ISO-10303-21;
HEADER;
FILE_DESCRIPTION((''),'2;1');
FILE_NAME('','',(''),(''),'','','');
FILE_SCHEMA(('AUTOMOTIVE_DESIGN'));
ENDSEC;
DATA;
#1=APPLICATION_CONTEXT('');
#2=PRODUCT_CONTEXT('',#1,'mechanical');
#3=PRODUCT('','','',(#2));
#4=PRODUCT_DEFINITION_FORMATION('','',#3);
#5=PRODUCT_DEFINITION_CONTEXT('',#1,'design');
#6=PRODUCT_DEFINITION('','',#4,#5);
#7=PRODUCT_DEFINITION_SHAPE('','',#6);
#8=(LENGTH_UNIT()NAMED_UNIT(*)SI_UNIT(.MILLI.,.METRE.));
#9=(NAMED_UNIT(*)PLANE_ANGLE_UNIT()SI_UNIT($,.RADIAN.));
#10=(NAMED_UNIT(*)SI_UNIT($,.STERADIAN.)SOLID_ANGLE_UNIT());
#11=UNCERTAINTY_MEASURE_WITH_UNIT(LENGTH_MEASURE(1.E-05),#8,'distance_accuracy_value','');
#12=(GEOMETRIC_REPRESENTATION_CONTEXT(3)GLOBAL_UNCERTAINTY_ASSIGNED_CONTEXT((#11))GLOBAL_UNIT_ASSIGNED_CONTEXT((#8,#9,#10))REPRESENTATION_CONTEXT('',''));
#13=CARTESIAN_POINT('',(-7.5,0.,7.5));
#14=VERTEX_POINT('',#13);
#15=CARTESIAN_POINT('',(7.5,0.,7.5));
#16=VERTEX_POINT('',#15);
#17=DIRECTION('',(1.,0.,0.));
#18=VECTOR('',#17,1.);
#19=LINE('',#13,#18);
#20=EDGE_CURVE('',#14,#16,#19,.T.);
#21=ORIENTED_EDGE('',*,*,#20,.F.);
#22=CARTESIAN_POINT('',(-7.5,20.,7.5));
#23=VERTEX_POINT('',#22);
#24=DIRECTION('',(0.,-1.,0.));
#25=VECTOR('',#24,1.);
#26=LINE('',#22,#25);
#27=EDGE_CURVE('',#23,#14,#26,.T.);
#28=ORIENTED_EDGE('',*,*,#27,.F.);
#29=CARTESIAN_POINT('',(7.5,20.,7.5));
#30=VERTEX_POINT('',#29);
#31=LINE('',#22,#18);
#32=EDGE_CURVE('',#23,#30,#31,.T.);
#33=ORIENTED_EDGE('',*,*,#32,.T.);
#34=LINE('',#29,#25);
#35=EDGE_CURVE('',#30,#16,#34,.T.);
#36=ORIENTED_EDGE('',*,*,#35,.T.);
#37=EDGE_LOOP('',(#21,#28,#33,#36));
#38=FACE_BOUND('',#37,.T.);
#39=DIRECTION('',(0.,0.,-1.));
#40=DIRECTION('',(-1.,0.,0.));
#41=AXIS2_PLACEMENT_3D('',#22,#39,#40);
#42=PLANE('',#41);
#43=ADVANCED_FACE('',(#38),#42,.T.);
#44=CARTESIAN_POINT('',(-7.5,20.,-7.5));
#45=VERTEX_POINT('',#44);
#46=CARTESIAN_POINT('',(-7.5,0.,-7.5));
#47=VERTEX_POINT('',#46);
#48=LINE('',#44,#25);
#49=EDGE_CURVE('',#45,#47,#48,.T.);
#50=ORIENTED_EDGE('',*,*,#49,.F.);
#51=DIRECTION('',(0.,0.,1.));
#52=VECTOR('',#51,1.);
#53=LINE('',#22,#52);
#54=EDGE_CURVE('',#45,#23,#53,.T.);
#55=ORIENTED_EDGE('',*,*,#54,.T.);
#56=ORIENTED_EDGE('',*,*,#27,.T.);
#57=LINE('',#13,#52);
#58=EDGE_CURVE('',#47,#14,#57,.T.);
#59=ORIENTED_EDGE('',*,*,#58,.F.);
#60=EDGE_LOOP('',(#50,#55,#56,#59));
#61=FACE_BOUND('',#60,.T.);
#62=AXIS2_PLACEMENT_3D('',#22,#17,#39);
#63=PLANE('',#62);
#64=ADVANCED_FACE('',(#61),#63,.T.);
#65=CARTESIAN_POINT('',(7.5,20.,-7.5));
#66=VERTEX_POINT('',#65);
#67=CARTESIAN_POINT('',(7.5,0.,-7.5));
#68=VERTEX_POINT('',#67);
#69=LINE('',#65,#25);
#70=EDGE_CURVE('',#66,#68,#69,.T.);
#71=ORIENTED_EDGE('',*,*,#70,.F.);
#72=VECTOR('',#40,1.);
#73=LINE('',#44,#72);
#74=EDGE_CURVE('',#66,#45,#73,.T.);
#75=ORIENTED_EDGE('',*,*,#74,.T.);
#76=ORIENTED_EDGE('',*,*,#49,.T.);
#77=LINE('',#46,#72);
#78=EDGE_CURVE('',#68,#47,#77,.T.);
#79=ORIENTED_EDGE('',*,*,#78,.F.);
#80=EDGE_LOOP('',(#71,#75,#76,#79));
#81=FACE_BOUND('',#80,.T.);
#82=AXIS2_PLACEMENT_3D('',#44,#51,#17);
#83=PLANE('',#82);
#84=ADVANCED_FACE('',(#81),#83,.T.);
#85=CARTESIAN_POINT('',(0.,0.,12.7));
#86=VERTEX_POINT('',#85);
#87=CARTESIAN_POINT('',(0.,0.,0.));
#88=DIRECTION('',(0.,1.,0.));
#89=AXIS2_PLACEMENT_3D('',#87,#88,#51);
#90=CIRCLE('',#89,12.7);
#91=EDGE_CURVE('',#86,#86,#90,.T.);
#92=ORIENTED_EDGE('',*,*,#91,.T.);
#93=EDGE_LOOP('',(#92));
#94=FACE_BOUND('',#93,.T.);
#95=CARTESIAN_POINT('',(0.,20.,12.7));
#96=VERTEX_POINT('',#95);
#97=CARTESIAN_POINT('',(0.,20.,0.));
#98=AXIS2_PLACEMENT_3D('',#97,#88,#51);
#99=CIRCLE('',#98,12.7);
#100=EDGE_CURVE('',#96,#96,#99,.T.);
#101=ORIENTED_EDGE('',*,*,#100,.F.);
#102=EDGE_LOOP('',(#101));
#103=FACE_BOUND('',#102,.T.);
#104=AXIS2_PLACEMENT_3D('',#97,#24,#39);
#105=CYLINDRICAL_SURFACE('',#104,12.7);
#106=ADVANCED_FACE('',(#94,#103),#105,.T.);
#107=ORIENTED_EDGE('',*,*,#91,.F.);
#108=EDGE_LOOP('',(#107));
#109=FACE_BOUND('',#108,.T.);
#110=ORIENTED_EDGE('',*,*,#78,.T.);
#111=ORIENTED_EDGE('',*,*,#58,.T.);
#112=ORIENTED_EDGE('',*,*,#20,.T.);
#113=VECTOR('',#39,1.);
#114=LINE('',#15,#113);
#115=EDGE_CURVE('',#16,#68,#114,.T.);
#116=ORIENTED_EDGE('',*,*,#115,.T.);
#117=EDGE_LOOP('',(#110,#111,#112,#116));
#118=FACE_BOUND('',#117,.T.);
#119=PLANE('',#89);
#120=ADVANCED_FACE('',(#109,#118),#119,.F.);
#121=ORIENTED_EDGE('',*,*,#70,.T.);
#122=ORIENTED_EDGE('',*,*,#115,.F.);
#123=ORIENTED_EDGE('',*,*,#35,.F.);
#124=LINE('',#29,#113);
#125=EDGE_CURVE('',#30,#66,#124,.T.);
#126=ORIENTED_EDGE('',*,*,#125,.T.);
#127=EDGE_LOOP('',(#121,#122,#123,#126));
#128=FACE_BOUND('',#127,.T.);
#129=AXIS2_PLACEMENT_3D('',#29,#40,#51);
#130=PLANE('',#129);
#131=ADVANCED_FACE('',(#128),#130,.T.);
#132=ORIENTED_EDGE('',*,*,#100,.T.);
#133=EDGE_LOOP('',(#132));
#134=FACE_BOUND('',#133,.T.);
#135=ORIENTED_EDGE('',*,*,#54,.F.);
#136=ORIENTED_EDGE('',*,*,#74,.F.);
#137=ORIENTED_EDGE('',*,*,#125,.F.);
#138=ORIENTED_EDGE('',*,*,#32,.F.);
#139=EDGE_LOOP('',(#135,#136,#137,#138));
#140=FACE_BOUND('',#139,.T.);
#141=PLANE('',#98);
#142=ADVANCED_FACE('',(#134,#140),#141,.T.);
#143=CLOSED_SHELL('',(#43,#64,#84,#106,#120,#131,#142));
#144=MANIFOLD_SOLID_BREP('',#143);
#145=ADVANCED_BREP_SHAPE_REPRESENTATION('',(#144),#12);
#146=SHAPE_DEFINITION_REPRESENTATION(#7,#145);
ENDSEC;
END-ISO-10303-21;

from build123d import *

# Parameters (mm, degrees)
SKETCH1_R           = 12.7
SKETCH1_W           = 15
SKETCH1_H           = 15
BOSS_EXTRUDE2_DEPTH = 20


with BuildPart() as part:
    # Sketch1 → Boss-Extrude2 (new body)
    with BuildSketch(Plane(origin=(0, 0, 0), x_dir=(1, 0, 0), z_dir=(0, 1, 0))):
        Circle(SKETCH1_R)
        Rectangle(SKETCH1_W, SKETCH1_H, mode=Mode.SUBTRACT)
    extrude(amount=BOSS_EXTRUDE2_DEPTH)


solid = part.part
